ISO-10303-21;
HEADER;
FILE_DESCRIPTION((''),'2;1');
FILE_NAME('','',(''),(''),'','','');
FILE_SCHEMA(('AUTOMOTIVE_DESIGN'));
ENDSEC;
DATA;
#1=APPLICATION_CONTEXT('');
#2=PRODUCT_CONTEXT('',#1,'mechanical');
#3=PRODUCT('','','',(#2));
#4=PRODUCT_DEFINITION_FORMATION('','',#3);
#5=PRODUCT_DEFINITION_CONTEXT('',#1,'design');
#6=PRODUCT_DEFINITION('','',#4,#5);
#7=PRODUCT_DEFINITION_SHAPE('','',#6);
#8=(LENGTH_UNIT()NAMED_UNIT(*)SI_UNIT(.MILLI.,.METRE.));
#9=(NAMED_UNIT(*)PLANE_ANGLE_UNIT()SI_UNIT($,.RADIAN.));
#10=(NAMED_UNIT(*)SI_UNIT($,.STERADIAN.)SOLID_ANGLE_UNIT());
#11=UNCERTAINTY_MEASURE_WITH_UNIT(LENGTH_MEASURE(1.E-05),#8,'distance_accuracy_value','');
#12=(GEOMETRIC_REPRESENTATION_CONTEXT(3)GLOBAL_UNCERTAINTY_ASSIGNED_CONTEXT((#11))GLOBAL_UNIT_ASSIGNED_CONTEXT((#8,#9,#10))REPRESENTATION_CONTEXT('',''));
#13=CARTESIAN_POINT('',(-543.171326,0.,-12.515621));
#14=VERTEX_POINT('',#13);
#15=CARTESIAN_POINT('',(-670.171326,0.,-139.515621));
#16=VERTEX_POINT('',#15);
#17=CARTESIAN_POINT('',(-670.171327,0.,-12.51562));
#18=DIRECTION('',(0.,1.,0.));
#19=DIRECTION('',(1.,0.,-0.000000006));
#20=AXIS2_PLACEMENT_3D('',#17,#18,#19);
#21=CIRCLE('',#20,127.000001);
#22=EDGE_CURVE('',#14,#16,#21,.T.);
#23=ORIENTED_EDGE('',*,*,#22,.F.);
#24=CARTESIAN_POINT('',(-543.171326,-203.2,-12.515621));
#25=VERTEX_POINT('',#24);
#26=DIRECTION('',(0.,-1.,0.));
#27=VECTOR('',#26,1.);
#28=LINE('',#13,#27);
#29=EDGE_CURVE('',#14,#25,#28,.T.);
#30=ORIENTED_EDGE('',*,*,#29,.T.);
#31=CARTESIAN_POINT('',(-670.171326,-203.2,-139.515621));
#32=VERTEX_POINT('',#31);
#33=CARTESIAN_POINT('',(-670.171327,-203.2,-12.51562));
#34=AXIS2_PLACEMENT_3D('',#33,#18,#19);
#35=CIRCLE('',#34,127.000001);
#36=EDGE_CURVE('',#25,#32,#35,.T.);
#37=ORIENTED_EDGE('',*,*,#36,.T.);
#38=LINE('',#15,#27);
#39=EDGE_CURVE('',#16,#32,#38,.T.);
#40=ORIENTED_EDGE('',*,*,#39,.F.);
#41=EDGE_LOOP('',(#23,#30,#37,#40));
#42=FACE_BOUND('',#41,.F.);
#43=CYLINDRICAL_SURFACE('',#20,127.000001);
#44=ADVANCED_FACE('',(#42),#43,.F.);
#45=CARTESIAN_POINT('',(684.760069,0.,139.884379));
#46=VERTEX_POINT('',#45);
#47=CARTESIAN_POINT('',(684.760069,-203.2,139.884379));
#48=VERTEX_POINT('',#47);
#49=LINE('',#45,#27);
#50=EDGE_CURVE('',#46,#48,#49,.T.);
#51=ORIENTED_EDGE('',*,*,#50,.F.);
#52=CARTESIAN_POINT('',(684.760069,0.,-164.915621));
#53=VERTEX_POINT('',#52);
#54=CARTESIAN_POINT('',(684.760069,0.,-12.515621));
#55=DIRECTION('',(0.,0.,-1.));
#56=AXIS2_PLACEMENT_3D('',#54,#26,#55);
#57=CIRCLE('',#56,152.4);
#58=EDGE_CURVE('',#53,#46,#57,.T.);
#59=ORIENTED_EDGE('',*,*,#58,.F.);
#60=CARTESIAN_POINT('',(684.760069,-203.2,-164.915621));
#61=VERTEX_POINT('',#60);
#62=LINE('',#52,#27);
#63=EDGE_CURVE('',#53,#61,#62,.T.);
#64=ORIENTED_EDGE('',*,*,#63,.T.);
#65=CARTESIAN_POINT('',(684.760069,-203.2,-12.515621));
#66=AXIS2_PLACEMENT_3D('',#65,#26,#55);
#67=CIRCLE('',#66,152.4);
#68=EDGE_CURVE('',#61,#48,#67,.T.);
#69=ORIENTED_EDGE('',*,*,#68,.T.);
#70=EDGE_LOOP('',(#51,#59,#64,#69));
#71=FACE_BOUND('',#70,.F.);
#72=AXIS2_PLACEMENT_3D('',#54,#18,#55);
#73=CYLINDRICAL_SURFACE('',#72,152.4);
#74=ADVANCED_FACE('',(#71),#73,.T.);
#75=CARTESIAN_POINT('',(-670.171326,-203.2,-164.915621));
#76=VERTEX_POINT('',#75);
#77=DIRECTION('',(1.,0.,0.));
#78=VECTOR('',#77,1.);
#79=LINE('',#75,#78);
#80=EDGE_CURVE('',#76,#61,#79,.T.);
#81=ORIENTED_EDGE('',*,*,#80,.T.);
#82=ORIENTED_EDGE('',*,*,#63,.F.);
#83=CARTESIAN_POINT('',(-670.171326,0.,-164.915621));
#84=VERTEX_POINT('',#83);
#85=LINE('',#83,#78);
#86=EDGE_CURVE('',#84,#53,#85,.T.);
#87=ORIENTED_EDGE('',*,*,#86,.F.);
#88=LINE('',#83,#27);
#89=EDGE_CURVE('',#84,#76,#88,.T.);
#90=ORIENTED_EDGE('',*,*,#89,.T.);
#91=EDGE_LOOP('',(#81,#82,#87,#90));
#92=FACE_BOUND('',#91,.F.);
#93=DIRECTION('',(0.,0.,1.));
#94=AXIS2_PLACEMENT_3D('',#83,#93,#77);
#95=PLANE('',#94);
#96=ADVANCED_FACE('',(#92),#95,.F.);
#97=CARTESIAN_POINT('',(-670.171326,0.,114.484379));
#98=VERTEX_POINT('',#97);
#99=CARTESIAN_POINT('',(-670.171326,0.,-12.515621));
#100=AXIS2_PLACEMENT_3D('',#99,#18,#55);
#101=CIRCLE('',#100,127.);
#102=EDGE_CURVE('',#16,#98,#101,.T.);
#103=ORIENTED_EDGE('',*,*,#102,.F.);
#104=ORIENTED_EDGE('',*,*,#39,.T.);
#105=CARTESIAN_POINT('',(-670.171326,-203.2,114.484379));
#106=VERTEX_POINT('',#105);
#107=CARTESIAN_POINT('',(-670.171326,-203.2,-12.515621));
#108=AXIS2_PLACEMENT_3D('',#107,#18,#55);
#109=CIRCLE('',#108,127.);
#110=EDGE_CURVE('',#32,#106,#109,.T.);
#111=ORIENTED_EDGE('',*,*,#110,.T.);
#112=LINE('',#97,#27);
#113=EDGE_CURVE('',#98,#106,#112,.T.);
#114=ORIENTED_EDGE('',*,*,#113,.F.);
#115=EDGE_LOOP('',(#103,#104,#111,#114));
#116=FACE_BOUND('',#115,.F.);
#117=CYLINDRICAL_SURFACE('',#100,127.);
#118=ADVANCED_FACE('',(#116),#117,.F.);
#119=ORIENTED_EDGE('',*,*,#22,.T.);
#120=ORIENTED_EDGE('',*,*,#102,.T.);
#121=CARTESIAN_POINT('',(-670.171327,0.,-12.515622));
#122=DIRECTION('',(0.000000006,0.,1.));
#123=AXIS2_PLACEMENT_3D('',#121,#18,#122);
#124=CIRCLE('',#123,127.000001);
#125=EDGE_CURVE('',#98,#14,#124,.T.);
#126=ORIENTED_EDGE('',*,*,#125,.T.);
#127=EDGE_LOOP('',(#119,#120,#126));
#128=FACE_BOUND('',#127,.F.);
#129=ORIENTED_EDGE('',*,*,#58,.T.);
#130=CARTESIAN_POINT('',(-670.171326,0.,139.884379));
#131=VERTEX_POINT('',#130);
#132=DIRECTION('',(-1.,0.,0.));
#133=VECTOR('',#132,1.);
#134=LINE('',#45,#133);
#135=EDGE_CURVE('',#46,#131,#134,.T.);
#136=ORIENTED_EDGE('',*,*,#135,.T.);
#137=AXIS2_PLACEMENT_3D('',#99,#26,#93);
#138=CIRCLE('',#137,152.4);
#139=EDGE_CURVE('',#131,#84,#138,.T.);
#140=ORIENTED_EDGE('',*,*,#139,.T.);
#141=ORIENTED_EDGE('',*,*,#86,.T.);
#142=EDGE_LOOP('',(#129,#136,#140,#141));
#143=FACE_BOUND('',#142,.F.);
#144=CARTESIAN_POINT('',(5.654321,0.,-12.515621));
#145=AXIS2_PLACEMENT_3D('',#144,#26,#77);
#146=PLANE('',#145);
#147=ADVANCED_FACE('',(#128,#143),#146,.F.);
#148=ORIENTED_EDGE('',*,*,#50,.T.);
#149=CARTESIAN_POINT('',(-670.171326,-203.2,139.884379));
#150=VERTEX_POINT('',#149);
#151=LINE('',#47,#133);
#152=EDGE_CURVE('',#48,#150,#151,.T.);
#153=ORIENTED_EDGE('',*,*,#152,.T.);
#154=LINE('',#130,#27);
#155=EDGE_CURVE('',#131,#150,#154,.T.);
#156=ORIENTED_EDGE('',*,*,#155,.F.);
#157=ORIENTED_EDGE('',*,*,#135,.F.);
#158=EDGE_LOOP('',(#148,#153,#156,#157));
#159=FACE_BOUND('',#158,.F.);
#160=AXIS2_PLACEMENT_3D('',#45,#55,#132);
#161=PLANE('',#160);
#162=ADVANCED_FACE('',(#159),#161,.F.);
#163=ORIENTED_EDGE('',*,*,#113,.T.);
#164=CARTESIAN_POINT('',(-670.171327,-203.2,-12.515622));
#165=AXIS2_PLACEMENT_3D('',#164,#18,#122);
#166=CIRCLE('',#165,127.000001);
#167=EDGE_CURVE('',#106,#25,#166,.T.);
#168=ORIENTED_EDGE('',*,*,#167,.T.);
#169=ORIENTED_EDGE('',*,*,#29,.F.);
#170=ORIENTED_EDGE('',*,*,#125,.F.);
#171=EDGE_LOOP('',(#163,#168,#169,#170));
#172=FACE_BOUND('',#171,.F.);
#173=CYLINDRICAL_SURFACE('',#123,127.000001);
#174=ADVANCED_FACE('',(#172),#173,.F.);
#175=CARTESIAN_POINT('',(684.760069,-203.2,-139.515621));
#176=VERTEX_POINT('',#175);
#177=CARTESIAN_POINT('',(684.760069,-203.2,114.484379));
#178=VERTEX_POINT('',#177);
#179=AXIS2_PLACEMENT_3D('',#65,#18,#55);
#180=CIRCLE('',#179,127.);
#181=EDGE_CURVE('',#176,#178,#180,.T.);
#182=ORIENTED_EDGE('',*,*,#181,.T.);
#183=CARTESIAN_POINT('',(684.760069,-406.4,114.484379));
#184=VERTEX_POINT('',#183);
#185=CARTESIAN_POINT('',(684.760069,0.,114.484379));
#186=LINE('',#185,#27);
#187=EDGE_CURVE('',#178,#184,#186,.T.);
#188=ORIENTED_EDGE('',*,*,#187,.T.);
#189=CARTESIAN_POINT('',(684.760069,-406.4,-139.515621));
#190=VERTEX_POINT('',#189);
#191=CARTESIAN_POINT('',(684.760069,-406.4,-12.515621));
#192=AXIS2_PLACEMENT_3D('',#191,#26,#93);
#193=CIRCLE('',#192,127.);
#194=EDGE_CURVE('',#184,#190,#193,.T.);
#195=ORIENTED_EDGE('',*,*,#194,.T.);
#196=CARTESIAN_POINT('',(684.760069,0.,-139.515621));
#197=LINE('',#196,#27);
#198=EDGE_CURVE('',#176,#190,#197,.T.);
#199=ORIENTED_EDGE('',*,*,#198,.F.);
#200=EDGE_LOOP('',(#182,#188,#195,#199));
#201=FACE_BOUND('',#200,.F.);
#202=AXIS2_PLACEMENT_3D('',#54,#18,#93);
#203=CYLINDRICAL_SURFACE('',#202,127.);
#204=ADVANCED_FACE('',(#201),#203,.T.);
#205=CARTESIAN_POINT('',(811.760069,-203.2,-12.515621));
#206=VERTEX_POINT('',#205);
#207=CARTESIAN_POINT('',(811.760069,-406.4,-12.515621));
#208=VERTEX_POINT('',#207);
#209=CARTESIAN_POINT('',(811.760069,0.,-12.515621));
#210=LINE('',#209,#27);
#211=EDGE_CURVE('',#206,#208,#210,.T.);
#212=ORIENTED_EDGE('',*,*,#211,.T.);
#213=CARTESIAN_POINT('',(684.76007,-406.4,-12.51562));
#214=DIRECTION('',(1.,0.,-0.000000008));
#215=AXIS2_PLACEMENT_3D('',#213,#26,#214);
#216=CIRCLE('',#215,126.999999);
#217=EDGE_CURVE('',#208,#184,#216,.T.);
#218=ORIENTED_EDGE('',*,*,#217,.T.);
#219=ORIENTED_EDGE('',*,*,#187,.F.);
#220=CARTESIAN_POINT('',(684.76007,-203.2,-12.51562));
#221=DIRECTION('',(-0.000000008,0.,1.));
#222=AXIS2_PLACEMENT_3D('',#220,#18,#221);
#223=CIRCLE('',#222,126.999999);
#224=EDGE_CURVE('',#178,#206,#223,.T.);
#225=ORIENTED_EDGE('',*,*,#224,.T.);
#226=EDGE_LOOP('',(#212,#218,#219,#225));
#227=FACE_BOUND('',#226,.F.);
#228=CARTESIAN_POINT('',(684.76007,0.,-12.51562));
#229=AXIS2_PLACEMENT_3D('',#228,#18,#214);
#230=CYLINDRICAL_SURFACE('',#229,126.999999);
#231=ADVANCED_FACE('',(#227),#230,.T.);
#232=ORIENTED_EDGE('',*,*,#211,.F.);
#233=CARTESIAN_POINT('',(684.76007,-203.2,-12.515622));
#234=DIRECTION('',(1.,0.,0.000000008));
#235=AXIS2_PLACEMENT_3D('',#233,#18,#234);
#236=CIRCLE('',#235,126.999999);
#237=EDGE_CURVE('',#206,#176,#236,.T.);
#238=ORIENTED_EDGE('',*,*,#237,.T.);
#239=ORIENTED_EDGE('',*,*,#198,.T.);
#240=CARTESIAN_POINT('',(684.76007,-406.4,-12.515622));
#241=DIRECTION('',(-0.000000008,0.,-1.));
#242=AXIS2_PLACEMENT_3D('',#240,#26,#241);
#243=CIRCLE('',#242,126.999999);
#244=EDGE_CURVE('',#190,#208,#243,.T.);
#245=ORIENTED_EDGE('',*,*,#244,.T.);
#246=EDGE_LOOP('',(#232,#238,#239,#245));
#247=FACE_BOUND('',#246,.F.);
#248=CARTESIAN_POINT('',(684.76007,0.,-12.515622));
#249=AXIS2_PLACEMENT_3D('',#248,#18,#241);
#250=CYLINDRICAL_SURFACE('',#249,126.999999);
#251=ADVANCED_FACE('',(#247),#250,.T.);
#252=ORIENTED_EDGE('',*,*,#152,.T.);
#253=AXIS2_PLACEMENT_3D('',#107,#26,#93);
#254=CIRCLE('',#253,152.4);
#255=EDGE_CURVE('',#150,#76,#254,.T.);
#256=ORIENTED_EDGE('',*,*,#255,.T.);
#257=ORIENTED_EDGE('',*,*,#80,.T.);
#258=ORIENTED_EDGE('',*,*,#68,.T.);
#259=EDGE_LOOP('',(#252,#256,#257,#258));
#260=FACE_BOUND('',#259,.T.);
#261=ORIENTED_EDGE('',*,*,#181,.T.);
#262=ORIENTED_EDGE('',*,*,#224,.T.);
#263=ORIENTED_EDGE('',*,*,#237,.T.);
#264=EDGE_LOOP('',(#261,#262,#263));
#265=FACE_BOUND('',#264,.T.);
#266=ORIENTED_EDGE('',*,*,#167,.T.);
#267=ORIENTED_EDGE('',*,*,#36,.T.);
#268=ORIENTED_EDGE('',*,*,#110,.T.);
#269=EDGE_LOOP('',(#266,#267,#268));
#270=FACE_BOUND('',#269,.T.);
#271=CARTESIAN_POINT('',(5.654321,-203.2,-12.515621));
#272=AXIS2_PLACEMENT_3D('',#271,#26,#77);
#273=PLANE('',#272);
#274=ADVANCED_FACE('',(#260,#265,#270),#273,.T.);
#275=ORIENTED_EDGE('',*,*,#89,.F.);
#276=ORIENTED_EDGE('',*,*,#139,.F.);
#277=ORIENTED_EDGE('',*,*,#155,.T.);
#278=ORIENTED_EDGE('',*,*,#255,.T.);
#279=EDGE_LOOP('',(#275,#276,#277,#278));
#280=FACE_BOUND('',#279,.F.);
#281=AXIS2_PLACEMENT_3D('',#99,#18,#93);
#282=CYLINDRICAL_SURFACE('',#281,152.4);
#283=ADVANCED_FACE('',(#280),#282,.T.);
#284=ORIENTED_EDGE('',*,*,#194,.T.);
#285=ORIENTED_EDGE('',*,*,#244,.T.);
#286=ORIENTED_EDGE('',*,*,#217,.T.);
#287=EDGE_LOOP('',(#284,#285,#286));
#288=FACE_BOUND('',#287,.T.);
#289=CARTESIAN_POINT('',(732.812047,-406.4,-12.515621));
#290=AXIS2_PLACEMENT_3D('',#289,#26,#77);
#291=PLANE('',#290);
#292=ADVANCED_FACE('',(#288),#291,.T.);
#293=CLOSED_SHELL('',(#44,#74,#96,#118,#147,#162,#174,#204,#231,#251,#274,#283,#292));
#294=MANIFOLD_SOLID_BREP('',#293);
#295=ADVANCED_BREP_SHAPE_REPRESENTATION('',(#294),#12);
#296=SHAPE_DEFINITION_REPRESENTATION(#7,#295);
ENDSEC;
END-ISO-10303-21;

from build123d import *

# Parameters (mm, degrees)
F1_DEPTH = 203.2
F2_DEPTH = 406.4


with BuildPart() as f1:
    # F0 (on Front) → F1 (new body)
    with BuildSketch(Plane.XZ):
        with BuildLine():
            Line((-670.171326, 139.884379), (-670.171326, 114.484379))
            ThreePointArc((-670.171326, 114.484379), (-580.368765, 77.28694), (-543.171326, -12.515621))
            ThreePointArc((-543.171326, -12.515621), (-580.368765, -102.318182), (-670.171326, -139.515621))
            Line((-670.171326, -139.515621), (-670.171326, -164.915621))
            Line((-670.171326, -164.915621), (684.760069, -164.915621))
            Line((684.760069, -164.915621), (684.760069, -139.515621))
            ThreePointArc((684.760069, -139.515621), (557.760069, -12.515621), (684.760069, 114.484379))
            Line((684.760069, 114.484379), (684.760069, 139.884379))
            Line((684.760069, 139.884379), (-670.171326, 139.884379))
        make_face()
        with BuildLine():
            ThreePointArc((-670.171326, -139.515621), (-797.171326, -12.515621), (-670.171326, 114.484379))
            Line((-670.171326, 114.484379), (-670.171326, 139.884379))
            ThreePointArc((-670.171326, 139.884379), (-822.571326, -12.515621), (-670.171326, -164.915621))
            Line((-670.171326, -164.915621), (-670.171326, -139.515621))
        make_face()
        with BuildLine():
            ThreePointArc((684.760069, -164.915621), (837.160069, -12.515621), (684.760069, 139.884379))
            Line((684.760069, 139.884379), (684.760069, 114.484379))
            ThreePointArc((684.760069, 114.484379), (774.562631, 77.28694), (811.760069, -12.515621))
            ThreePointArc((811.760069, -12.515621), (774.562631, -102.318182), (684.760069, -139.515621))
            Line((684.760069, -139.515621), (684.760069, -164.915621))
        make_face()
    extrude(amount=F1_DEPTH)

    # F0 (on Front) → F2 (join)
    with BuildSketch(Plane.XZ):
        with BuildLine():
            ThreePointArc((811.760069, -12.515621), (774.562631, 77.28694), (684.760069, 114.484379))
            Line((684.760069, 114.484379), (684.760069, -139.515621))
            ThreePointArc((684.760069, -139.515621), (774.562631, -102.318182), (811.760069, -12.515621))
        make_face()
        with BuildLine():
            Line((684.760069, -139.515621), (684.760069, 114.484379))
            ThreePointArc((684.760069, 114.484379), (557.760069, -12.515621), (684.760069, -139.515621))
        make_face()
    extrude(amount=F2_DEPTH)


solid = f1.part
